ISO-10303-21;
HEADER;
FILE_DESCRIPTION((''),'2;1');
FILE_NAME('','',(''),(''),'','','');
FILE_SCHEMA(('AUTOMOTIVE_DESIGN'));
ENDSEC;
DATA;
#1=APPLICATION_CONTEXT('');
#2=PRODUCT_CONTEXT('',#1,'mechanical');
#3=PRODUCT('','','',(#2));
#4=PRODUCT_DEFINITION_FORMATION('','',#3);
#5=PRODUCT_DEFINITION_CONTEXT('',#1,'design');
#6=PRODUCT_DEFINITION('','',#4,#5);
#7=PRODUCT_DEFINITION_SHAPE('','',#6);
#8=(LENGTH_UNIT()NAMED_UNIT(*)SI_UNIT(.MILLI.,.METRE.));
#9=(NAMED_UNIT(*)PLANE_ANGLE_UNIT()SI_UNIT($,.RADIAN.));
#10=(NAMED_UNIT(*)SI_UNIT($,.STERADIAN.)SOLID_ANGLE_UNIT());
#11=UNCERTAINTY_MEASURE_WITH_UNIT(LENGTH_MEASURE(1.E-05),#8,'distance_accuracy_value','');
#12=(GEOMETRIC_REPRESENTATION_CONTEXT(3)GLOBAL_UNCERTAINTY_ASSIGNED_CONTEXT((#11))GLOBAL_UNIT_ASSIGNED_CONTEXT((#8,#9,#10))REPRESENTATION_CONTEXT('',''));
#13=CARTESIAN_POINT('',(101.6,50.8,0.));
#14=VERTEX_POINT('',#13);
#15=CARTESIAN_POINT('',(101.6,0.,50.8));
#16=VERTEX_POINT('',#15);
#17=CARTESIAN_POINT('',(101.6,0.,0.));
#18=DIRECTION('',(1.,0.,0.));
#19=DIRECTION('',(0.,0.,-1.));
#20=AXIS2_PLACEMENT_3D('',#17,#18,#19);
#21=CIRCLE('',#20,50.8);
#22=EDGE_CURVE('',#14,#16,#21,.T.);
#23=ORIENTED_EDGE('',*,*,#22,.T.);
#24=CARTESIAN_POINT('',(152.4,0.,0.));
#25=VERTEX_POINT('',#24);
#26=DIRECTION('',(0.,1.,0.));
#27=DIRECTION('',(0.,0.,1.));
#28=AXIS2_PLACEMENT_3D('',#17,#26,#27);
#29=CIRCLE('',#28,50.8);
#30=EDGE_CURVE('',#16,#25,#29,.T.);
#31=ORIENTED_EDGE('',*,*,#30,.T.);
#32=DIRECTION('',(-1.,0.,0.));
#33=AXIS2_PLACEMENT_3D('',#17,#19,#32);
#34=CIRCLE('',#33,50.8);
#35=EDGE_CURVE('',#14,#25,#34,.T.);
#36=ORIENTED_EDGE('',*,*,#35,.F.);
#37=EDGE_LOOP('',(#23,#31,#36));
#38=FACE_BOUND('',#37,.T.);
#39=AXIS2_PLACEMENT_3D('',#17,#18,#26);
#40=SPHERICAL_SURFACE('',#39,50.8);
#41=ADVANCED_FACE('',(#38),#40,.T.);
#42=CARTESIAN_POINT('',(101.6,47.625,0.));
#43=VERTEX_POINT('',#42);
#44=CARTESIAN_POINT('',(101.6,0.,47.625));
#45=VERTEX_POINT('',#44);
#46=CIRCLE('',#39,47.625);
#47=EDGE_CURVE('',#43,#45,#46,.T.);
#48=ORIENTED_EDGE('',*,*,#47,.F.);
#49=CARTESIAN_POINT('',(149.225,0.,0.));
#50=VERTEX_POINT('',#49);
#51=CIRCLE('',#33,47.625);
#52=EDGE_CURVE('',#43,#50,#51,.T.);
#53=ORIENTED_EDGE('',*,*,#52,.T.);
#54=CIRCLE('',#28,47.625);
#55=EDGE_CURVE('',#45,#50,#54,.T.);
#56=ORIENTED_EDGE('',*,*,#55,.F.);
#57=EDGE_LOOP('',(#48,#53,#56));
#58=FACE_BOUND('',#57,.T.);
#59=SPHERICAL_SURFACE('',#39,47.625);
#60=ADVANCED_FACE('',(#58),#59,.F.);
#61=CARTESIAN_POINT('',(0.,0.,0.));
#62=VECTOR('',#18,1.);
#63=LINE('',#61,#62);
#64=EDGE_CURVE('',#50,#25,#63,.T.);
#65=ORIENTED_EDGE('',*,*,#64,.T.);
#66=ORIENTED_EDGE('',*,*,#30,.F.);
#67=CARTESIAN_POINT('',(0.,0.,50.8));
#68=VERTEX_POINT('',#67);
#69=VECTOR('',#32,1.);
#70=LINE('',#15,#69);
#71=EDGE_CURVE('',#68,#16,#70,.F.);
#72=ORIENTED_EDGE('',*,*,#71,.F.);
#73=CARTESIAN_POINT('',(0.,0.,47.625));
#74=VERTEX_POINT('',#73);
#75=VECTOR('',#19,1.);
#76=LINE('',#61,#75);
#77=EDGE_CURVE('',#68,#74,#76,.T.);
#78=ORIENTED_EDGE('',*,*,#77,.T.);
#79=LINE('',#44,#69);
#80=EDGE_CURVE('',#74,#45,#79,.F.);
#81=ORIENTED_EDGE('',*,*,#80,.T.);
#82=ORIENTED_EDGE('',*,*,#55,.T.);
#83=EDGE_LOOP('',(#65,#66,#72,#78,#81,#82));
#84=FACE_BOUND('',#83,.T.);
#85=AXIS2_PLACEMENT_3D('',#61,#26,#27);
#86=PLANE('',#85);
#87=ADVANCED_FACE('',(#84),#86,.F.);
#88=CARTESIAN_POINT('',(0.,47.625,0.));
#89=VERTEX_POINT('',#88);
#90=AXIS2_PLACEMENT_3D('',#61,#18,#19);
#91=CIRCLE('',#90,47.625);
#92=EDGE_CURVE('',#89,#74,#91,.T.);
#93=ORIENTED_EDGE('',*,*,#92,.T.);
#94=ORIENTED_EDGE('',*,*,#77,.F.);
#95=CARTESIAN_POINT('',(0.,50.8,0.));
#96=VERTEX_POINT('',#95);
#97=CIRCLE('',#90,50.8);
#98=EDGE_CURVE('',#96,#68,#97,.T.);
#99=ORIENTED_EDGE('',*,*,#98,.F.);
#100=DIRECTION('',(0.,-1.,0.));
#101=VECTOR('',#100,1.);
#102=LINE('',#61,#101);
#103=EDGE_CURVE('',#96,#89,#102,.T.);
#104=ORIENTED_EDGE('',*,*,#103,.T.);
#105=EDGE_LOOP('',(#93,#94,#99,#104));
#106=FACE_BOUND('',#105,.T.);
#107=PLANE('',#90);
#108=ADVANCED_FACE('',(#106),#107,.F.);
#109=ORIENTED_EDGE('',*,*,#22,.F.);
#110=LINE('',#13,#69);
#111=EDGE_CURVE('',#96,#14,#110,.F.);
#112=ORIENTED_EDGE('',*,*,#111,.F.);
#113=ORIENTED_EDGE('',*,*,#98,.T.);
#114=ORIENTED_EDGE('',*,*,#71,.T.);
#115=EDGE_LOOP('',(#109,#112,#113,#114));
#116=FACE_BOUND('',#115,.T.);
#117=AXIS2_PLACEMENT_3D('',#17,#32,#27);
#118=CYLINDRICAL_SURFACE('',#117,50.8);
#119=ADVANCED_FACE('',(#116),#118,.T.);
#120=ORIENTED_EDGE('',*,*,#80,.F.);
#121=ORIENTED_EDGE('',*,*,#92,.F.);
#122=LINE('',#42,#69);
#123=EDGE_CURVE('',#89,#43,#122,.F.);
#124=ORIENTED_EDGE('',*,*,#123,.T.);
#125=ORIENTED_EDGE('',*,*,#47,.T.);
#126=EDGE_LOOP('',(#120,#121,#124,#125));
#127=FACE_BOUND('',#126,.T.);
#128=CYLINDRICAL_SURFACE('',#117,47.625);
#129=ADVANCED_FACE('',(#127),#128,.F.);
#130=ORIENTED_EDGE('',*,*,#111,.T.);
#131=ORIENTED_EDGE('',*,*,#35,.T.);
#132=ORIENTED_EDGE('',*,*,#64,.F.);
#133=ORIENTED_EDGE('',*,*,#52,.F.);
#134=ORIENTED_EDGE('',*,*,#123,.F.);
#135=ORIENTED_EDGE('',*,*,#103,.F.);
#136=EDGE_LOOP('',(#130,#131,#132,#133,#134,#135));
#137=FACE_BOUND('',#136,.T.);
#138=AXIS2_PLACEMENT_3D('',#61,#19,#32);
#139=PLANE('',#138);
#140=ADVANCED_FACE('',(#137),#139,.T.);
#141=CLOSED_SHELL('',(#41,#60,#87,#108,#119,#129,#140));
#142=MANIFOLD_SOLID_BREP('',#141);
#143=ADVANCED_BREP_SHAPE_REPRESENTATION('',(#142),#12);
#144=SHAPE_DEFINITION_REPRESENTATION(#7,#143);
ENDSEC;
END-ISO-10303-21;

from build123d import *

# Parameters (mm, degrees)
SKETCH2_R           = 50.8
BOSS_EXTRUDE1_DEPTH = 101.6
SKETCH3_R           = 47.625
CUT_EXTRUDE1_DEPTH  = 101.6
SKETCH9_W           = 2921
SKETCH9_H           = 1905
CUT_EXTRUDE4_DEPTH  = 1828.8
SKETCH10_W          = 2914.398267979
SKETCH10_H          = 1269.930665489
CUT_EXTRUDE7_DEPTH  = 508
SKETCH11_W          = 281.911463331
SKETCH11_H          = 233.276474331
CUT_EXTRUDE8_DEPTH  = 153.4


with BuildPart() as part:
    # Sketch2 → Boss-Extrude1 (new body, symmetric)
    with BuildSketch(Plane(origin=(0, 0, 0), x_dir=(0, 0, -1), z_dir=(1, 0, 0))):
        Circle(SKETCH2_R)
    extrude(amount=BOSS_EXTRUDE1_DEPTH, both=True)

    # Sketch3 → Cut-Extrude1 (cut, symmetric)
    with BuildSketch(Plane(origin=(0, 0, 0), x_dir=(0, 0, -1), z_dir=(1, 0, 0))):
        Circle(SKETCH3_R)
    extrude(amount=CUT_EXTRUDE1_DEPTH, both=True, mode=Mode.SUBTRACT)

    # Sketch4 → Revolve-Thin1 (revolve)
    with BuildSketch(Plane.XY):
        with BuildLine():
            ThreePointArc((-101.6, 50.8), (-137.521024484, 35.921024484), (-152.4, 0))
            Line((-152.4, 0), (-149.225, 0))
            ThreePointArc((-149.225, 0), (-135.275960454, 33.675960454), (-101.6, 47.625))
            Line((-101.6, 47.625), (-101.6, 50.8))
        make_face()
    revolve(axis=Axis((-152.4, 0, 0), (1, 0, 0)))

    # Sketch5 → Revolve-Thin2 (revolve)
    with BuildSketch(Plane.XY):
        with BuildLine():
            ThreePointArc((101.6, 50.8), (137.521024484, 35.921024484), (152.4, 0))
            Line((152.4, 0), (149.225, 0))
            ThreePointArc((149.225, 0), (135.275960454, 33.675960454), (101.6, 47.625))
            Line((101.6, 47.625), (101.6, 50.8))
        make_face()
    revolve(axis=Axis((152.4, 0, 0), (-1, 0, 0)))

    # Sketch9 → Cut-Extrude4 (cut)
    with BuildSketch(Plane.XY):
        with Locations((975.277240458, -31.313733989)):
            Rectangle(SKETCH9_W, SKETCH9_H)
    extrude(amount=-CUT_EXTRUDE4_DEPTH, mode=Mode.SUBTRACT)

    # Sketch10 → Cut-Extrude7 (cut)
    with BuildSketch(Plane(origin=(0, 0, 0), x_dir=(1, 0, 0), z_dir=(0, 1, 0))):
        with Locations((902.969453076, -134.938526822)):
            Rectangle(SKETCH10_W, SKETCH10_H)
    extrude(amount=-CUT_EXTRUDE7_DEPTH, mode=Mode.SUBTRACT)

    # Sketch11 → Cut-Extrude8 (cut, through all)
    with BuildSketch(Plane(origin=(0, 0, 0), x_dir=(0, 0, -1), z_dir=(1, 0, 0))):
        with Locations((-43.809030365, 33.571989562)):
            Rectangle(SKETCH11_W, SKETCH11_H)
    extrude(amount=-CUT_EXTRUDE8_DEPTH, mode=Mode.SUBTRACT)


solid = part.part
